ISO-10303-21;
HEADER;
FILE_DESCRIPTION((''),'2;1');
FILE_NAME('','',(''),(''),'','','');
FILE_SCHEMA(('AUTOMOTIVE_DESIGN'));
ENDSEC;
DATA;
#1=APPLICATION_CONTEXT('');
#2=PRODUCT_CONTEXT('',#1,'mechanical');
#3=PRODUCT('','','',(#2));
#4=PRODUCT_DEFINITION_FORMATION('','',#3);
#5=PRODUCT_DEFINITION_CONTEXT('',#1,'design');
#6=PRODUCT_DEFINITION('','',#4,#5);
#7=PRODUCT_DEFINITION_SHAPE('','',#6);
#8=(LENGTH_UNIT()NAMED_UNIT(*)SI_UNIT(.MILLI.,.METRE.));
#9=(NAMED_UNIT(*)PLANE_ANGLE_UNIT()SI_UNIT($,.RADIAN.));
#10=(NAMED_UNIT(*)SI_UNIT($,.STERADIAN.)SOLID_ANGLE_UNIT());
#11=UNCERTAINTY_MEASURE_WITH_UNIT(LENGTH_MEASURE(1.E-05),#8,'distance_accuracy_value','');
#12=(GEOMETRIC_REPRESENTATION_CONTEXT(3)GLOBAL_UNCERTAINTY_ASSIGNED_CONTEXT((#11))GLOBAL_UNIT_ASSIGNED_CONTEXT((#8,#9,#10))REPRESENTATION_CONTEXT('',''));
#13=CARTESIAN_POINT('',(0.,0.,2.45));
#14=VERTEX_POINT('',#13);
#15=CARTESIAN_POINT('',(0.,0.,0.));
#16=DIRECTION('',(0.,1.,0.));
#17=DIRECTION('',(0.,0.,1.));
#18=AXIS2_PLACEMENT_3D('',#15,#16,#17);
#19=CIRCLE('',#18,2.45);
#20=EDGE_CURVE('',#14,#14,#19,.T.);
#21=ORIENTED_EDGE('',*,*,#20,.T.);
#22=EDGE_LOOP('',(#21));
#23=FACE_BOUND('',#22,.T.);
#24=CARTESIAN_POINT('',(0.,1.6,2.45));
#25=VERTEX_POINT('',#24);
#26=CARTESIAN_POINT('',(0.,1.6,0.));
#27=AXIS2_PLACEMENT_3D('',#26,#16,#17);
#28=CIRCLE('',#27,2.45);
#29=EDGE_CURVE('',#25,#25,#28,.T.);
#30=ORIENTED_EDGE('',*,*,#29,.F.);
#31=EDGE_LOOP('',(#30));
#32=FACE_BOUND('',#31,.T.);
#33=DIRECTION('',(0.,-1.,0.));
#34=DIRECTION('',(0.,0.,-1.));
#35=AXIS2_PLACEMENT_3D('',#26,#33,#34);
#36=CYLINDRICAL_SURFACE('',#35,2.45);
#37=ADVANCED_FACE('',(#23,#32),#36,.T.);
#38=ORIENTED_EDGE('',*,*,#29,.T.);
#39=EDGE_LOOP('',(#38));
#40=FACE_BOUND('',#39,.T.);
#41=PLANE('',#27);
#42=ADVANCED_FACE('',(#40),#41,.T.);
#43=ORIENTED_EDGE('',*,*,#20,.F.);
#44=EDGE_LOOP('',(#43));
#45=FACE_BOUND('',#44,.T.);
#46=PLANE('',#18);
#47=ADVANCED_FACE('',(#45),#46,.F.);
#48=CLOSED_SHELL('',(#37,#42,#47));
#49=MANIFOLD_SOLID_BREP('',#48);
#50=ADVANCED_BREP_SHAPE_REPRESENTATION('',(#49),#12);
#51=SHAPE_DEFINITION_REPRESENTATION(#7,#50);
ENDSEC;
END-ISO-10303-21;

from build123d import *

# Parameters (mm, degrees)
SKETCH_1_R      = 2.45
EXTRUDE_1_DEPTH = 1.6


with BuildPart() as part:
    # 草图1 → 凸台-拉伸1 (new body)
    with BuildSketch(Plane(origin=(0, 0, 0), x_dir=(1, 0, 0), z_dir=(0, 1, 0))):
        with Locations(Location((0, 0, 0), (0, 0, 270))):
            Circle(SKETCH_1_R)
    extrude(amount=EXTRUDE_1_DEPTH)


solid = part.part
